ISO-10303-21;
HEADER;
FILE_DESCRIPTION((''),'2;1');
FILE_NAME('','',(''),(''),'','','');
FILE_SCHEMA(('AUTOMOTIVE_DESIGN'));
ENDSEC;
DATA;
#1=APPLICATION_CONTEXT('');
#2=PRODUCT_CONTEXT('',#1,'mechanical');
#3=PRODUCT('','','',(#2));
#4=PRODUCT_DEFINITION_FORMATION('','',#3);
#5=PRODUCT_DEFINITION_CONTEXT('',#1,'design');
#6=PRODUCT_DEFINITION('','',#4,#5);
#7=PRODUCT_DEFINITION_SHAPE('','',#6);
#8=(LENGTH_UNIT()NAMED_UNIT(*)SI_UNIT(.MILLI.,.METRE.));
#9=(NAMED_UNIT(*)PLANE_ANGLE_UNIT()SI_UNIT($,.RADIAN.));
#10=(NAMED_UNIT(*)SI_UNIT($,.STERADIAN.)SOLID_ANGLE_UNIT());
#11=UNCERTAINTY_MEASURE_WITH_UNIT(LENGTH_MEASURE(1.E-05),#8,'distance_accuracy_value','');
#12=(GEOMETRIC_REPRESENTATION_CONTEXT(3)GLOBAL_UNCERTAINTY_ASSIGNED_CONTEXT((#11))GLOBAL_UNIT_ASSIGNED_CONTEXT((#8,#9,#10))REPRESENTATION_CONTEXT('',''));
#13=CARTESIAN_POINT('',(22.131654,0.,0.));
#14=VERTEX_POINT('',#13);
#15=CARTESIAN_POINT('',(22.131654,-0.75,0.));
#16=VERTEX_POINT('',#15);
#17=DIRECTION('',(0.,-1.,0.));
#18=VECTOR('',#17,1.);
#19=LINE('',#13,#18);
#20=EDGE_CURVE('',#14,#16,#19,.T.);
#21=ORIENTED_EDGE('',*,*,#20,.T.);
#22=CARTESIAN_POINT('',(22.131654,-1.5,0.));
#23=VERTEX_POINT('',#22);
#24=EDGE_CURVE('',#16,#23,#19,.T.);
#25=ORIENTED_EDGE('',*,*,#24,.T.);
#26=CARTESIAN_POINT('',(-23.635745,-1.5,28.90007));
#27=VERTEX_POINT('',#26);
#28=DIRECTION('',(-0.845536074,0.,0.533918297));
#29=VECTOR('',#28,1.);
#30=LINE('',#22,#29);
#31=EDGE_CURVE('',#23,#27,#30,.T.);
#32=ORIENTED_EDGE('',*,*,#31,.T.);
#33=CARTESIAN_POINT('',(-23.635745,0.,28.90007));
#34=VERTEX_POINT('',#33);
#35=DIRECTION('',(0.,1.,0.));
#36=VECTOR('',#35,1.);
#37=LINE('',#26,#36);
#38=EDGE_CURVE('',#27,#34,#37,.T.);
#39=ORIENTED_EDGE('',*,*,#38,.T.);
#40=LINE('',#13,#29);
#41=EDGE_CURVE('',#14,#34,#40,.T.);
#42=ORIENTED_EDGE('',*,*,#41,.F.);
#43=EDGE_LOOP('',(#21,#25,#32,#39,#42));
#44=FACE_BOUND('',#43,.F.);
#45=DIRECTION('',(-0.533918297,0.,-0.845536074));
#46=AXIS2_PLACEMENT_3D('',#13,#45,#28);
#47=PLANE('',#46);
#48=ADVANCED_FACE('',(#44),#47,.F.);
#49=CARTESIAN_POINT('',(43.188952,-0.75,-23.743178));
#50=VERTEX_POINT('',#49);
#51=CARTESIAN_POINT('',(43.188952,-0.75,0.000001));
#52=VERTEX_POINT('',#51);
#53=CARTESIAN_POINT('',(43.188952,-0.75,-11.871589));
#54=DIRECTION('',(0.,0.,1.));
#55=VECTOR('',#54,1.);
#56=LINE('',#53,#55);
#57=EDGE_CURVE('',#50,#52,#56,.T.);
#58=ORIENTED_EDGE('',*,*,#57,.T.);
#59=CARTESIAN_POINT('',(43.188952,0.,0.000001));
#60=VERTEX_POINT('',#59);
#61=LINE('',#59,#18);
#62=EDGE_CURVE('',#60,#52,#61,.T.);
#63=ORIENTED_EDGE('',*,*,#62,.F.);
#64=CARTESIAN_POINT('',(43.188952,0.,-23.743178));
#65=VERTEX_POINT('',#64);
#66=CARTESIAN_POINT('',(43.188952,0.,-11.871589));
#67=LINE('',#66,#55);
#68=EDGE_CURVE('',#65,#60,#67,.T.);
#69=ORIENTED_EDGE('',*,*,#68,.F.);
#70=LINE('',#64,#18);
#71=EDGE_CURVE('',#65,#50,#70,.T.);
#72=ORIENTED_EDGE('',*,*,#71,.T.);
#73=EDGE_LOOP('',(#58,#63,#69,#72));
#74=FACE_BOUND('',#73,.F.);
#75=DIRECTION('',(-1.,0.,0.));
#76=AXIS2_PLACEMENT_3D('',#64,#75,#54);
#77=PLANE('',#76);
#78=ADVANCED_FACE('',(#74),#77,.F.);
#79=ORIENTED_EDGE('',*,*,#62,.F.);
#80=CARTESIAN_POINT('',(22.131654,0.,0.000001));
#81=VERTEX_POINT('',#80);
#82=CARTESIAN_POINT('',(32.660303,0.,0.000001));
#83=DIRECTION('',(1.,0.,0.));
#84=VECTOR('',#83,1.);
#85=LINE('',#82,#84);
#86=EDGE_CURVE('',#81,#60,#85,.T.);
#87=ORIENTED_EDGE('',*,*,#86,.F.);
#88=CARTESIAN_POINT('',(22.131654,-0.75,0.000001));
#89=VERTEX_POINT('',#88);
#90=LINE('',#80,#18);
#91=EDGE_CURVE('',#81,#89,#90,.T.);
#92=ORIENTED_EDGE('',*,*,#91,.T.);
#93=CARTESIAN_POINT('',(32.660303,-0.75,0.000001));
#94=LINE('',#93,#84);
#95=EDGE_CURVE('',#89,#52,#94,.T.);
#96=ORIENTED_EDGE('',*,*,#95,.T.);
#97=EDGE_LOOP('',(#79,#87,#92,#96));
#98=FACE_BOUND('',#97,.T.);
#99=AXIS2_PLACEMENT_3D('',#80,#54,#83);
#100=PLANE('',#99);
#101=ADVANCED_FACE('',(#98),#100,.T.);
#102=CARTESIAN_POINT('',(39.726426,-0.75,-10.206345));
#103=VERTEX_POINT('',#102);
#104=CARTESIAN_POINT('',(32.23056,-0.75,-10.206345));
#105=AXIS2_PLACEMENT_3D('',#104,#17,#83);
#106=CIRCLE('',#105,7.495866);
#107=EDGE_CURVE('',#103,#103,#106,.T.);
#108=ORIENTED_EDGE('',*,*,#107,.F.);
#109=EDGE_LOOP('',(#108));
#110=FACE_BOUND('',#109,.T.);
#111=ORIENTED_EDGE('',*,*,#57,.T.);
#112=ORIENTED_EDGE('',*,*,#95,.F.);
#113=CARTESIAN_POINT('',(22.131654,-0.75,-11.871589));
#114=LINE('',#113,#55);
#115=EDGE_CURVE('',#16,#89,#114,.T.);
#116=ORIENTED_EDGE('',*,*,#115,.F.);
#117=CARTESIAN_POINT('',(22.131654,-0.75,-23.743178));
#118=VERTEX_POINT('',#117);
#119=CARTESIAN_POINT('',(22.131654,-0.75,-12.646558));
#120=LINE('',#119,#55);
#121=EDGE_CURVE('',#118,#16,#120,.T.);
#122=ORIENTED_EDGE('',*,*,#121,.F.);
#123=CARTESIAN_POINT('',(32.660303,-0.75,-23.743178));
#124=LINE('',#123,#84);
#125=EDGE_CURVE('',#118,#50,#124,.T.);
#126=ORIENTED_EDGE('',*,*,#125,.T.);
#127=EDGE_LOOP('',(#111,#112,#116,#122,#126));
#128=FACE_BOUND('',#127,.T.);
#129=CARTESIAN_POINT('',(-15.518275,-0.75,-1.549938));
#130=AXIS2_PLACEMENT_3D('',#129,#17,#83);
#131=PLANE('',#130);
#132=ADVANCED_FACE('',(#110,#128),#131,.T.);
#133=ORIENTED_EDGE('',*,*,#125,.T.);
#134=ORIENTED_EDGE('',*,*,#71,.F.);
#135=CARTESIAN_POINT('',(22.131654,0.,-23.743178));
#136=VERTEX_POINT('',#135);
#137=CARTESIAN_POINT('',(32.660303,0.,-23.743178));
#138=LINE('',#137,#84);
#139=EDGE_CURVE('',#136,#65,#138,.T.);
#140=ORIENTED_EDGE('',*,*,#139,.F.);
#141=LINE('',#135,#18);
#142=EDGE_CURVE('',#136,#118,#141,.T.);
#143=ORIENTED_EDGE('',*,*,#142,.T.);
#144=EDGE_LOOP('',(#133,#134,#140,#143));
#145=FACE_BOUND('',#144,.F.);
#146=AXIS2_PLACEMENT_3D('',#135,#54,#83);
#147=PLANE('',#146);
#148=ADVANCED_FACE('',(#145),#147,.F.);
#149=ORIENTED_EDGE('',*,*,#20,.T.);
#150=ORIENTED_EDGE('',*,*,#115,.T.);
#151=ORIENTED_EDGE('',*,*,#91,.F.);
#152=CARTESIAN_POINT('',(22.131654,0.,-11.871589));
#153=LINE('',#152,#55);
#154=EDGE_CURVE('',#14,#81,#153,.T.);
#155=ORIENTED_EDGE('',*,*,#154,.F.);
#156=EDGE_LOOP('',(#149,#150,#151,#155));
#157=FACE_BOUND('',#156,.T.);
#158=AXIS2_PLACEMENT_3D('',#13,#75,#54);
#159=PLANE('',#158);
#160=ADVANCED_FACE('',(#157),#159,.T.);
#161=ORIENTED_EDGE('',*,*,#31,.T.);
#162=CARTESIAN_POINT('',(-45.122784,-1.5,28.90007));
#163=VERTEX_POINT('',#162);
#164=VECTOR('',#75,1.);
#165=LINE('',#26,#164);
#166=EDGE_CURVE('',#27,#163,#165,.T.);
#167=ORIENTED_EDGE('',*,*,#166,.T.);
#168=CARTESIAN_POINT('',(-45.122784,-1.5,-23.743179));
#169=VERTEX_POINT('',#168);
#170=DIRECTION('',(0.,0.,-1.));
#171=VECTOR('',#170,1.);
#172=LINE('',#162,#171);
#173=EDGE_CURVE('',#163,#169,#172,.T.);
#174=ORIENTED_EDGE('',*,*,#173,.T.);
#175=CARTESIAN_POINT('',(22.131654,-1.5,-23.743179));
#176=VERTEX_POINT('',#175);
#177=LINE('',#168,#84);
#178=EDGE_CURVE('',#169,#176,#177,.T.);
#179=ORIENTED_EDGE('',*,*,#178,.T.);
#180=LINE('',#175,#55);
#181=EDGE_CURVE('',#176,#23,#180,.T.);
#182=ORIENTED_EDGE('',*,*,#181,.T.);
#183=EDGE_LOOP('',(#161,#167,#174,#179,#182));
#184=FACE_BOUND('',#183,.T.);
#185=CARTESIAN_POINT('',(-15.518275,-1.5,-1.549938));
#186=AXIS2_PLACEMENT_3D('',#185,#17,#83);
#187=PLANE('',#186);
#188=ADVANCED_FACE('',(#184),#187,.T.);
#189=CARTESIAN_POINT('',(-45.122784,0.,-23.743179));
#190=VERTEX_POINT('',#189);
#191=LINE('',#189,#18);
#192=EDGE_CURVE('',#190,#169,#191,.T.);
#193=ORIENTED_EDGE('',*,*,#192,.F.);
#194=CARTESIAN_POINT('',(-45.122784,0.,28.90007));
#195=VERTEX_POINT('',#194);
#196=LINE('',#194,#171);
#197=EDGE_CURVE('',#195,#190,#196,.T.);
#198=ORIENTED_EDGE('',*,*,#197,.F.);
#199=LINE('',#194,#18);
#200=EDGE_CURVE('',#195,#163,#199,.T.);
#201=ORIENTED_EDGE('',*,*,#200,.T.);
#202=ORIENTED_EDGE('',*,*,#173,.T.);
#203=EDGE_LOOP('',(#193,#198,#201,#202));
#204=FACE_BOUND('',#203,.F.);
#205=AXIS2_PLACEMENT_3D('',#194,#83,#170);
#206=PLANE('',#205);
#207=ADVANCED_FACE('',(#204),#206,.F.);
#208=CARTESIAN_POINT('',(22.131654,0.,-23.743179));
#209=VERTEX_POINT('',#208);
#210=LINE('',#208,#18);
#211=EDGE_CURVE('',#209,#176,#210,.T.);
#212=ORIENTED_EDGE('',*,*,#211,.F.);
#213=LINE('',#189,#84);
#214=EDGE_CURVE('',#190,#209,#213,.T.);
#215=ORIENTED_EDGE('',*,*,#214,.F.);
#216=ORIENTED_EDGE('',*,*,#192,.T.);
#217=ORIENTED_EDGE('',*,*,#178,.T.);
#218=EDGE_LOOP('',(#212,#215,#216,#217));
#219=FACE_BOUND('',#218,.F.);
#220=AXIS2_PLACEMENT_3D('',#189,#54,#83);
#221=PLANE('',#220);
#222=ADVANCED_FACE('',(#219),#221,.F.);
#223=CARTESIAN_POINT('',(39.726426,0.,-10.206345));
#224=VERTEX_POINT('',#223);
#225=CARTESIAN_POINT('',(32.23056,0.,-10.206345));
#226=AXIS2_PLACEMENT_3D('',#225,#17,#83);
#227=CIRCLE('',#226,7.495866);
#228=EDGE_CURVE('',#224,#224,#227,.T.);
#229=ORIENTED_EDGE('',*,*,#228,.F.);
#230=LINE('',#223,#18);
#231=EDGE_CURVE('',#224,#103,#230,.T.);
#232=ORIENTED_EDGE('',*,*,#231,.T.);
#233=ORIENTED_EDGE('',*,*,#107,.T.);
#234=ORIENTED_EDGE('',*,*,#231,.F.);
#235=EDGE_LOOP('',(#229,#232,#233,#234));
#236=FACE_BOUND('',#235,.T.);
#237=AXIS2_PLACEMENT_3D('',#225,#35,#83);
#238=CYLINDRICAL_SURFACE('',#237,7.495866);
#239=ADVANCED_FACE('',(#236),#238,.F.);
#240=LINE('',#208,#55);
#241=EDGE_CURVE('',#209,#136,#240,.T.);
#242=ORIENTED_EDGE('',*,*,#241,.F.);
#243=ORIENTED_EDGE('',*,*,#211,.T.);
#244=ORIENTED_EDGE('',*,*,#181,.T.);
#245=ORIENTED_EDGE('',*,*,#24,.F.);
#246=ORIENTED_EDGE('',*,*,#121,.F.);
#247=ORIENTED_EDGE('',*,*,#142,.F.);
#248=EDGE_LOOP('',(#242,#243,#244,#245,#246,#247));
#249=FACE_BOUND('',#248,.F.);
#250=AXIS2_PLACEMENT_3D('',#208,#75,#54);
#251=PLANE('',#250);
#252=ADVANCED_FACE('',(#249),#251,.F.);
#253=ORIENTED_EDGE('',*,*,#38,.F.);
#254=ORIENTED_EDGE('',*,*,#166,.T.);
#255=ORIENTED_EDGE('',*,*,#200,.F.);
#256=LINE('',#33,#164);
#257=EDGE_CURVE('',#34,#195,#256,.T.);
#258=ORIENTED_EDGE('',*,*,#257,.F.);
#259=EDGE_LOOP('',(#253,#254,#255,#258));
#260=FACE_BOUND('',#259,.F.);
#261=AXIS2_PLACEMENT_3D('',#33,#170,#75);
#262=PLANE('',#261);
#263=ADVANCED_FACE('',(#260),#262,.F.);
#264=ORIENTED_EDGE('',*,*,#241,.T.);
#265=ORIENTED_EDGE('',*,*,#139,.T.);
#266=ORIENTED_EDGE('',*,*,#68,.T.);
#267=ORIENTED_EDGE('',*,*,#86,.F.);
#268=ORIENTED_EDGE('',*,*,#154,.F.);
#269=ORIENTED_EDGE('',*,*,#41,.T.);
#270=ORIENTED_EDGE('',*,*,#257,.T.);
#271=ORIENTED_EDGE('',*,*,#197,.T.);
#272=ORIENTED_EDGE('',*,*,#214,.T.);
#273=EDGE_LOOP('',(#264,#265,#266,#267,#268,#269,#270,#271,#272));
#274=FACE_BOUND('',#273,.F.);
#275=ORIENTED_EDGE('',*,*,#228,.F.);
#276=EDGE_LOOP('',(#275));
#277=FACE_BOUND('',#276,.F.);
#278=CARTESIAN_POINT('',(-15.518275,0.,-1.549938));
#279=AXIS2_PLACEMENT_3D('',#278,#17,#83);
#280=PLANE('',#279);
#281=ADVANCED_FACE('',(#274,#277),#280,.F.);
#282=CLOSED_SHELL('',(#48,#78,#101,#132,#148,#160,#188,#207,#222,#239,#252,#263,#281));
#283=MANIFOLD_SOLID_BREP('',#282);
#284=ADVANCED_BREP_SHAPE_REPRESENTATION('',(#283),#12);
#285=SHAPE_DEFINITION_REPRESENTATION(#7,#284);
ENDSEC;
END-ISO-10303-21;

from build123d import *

# Parameters (mm, degrees)
F1_DEPTH = 1.5
F0_W     = 21.057298
F0_H     = 23.743179
F0_R     = 7.495866
F2_DEPTH = 0.75


with BuildPart() as f1:
    # F0 (on Front) → F1 (new body)
    with BuildSketch(Plane.XZ):
        Polygon((-23.635745, 28.90007), (-45.122784, 28.90007), (-45.122784, -23.743179), (22.131654, -23.743179), (22.131654, 0), align=None)
    extrude(amount=F1_DEPTH)

    # F0 (on Front) → F2 (join)
    with BuildSketch(Plane.XZ):
        Polygon((-23.635745, 28.90007), (-45.122784, 28.90007), (-45.122784, -23.743179), (22.131654, -23.743179), (22.131654, 0), align=None)
        with Locations((32.660303, -11.871589)):
            Rectangle(F0_W, F0_H)
        with Locations((32.23056, -10.206345)):
            Circle(F0_R, mode=Mode.SUBTRACT)
    extrude(amount=F2_DEPTH)


solid = f1.part
